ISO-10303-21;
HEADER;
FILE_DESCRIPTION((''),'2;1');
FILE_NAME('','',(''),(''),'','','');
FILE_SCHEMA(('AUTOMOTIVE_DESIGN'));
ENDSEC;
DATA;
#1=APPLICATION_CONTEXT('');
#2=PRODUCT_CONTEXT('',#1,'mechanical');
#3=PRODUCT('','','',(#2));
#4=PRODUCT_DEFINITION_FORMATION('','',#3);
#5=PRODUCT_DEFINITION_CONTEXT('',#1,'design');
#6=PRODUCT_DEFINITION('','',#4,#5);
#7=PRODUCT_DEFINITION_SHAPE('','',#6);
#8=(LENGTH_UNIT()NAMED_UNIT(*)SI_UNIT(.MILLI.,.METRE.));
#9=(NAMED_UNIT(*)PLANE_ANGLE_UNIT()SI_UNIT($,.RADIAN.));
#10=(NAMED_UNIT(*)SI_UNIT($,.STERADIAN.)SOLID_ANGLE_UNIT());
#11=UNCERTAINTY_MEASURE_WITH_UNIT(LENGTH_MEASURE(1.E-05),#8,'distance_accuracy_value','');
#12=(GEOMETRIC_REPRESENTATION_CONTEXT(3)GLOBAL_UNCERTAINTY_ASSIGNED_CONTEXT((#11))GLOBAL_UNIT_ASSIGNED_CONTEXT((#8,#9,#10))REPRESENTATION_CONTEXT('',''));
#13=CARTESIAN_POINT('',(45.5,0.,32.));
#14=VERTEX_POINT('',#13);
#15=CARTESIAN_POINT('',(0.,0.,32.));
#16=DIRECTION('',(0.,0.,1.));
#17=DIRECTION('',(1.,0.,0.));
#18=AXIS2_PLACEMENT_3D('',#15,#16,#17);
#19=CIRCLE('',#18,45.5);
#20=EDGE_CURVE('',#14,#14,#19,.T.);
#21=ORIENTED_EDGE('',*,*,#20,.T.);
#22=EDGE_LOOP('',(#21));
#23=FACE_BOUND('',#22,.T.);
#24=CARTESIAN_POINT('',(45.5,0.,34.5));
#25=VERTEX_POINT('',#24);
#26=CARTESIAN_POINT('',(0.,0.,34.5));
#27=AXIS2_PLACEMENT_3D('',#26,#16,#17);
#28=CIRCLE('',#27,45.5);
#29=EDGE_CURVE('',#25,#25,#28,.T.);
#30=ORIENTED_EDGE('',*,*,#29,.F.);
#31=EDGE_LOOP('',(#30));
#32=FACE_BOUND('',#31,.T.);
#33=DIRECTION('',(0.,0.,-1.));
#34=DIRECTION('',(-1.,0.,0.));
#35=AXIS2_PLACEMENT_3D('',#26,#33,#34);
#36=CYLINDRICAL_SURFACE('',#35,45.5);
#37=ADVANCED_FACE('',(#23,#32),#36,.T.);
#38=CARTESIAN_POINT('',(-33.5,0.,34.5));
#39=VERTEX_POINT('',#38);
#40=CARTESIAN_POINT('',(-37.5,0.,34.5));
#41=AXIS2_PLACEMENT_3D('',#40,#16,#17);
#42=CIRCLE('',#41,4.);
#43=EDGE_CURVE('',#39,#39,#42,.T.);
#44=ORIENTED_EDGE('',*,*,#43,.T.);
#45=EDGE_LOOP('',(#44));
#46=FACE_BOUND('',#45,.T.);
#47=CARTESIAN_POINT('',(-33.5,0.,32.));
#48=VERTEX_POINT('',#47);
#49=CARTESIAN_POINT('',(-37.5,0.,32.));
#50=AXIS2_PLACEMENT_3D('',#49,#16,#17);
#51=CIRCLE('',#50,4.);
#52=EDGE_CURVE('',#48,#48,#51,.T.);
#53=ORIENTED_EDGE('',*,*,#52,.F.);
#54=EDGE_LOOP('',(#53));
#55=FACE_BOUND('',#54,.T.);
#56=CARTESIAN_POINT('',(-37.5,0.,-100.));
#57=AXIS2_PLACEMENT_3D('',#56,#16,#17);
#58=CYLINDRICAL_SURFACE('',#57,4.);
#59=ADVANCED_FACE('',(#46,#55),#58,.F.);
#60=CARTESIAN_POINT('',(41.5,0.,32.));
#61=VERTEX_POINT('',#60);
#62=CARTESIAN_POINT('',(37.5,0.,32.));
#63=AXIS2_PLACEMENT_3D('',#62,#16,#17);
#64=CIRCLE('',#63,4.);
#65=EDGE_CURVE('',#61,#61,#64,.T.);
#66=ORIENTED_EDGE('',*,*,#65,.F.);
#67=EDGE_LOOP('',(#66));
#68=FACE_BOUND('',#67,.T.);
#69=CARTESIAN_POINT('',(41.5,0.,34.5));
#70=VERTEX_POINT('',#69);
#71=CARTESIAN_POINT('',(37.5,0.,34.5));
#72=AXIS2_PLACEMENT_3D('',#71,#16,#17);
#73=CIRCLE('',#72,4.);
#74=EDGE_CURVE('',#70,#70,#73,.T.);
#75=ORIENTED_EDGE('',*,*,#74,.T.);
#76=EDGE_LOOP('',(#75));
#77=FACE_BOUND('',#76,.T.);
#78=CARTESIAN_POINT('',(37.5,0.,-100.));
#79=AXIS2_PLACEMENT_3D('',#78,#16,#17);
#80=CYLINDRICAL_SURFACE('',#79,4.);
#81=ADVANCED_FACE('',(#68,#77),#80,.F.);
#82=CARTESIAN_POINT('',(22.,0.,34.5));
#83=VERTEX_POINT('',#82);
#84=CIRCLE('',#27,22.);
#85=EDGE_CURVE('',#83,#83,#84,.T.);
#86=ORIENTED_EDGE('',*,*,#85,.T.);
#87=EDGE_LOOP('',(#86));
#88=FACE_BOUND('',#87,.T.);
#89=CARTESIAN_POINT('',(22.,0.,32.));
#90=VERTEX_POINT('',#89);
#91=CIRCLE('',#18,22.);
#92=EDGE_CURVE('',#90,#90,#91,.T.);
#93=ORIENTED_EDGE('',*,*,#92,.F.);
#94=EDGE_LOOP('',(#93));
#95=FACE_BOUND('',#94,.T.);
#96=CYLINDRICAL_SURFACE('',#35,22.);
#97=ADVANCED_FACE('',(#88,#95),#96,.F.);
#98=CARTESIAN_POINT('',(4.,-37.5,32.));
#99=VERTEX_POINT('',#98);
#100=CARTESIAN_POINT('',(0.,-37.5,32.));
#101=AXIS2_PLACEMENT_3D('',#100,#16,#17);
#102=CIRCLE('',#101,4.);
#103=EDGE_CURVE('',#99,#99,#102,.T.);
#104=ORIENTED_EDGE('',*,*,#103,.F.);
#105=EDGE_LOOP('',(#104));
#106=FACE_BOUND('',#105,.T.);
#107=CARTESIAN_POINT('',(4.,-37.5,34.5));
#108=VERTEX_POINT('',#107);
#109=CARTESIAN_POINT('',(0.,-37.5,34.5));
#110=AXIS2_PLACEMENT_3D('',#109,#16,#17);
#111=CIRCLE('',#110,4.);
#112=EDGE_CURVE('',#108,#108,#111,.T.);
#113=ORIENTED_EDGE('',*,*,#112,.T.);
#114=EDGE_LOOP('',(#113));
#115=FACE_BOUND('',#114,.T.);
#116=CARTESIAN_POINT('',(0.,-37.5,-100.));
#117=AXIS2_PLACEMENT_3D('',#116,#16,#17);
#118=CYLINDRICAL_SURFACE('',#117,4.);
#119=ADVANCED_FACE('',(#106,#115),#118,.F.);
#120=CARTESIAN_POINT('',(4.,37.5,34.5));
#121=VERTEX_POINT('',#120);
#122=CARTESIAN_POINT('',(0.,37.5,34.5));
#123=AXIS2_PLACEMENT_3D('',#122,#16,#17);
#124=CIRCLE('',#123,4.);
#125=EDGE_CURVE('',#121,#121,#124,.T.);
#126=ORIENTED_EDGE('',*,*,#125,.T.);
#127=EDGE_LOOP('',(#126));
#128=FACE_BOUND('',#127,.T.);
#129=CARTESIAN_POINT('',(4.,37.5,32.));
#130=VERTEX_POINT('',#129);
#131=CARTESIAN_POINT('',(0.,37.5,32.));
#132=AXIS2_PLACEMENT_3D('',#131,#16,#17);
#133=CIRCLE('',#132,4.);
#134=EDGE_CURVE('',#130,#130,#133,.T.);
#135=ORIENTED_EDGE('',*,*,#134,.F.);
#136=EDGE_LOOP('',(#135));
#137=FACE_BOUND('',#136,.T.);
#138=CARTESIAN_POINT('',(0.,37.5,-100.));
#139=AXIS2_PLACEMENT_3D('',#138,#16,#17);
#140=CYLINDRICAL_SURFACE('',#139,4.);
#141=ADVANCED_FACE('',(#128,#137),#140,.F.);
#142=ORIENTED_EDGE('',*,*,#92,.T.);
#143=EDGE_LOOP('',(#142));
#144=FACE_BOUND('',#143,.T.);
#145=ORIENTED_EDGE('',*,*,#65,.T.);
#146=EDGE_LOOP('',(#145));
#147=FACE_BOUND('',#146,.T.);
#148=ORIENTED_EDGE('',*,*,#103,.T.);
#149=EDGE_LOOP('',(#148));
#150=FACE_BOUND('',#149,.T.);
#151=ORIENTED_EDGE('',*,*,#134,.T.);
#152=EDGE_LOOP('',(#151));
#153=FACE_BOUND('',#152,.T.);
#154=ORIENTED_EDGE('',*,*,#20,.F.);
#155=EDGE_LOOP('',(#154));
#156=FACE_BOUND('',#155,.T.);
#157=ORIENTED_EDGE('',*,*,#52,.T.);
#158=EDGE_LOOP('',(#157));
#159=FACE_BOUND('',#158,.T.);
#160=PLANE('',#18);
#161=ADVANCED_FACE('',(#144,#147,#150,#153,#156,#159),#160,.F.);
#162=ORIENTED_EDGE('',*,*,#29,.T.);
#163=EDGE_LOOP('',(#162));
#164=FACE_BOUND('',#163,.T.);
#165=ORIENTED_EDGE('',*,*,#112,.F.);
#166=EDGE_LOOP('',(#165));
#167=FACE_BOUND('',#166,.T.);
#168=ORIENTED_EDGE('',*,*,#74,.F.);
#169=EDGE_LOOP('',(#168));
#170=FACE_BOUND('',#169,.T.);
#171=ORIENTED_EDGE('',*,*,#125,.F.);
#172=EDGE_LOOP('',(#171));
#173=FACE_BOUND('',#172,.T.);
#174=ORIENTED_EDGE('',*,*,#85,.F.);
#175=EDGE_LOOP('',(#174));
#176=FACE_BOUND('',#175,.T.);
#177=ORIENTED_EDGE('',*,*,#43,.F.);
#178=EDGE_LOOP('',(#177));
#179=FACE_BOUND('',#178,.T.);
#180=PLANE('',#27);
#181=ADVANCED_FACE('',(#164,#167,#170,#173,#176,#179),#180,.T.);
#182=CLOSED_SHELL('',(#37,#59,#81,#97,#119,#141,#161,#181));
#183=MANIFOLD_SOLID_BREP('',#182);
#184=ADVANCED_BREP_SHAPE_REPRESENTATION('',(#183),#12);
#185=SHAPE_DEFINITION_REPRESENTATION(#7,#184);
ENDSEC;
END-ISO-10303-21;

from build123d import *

# Parameters (mm, degrees)
CARRIER_REAR_START  = 32
SKETCH_1_R          = 45.5
SKETCH_1_R_2        = 22
CARRIER_REAR_DEPTH  = 2.5
SKETCH_2_R          = 4
THROUGH_HOLES_DEPTH = 100


with BuildPart() as part:
    # Эскиз1 → Carrier_rear (new body)
    with BuildSketch(Plane.XY.offset(CARRIER_REAR_START)):
        Circle(SKETCH_1_R)
        Circle(SKETCH_1_R_2, mode=Mode.SUBTRACT)
    extrude(amount=CARRIER_REAR_DEPTH)

    # Эскиз2 → Through_holes (cut, symmetric)
    with BuildSketch(Plane.XY):
        with Locations((37.5, 0)):
            Circle(SKETCH_2_R)
        with Locations((0, 37.5)):
            Circle(SKETCH_2_R)
        with Locations((-37.5, 0)):
            Circle(SKETCH_2_R)
        with Locations((0, -37.5)):
            Circle(SKETCH_2_R)
    extrude(amount=THROUGH_HOLES_DEPTH, both=True, mode=Mode.SUBTRACT)


solid = part.part
